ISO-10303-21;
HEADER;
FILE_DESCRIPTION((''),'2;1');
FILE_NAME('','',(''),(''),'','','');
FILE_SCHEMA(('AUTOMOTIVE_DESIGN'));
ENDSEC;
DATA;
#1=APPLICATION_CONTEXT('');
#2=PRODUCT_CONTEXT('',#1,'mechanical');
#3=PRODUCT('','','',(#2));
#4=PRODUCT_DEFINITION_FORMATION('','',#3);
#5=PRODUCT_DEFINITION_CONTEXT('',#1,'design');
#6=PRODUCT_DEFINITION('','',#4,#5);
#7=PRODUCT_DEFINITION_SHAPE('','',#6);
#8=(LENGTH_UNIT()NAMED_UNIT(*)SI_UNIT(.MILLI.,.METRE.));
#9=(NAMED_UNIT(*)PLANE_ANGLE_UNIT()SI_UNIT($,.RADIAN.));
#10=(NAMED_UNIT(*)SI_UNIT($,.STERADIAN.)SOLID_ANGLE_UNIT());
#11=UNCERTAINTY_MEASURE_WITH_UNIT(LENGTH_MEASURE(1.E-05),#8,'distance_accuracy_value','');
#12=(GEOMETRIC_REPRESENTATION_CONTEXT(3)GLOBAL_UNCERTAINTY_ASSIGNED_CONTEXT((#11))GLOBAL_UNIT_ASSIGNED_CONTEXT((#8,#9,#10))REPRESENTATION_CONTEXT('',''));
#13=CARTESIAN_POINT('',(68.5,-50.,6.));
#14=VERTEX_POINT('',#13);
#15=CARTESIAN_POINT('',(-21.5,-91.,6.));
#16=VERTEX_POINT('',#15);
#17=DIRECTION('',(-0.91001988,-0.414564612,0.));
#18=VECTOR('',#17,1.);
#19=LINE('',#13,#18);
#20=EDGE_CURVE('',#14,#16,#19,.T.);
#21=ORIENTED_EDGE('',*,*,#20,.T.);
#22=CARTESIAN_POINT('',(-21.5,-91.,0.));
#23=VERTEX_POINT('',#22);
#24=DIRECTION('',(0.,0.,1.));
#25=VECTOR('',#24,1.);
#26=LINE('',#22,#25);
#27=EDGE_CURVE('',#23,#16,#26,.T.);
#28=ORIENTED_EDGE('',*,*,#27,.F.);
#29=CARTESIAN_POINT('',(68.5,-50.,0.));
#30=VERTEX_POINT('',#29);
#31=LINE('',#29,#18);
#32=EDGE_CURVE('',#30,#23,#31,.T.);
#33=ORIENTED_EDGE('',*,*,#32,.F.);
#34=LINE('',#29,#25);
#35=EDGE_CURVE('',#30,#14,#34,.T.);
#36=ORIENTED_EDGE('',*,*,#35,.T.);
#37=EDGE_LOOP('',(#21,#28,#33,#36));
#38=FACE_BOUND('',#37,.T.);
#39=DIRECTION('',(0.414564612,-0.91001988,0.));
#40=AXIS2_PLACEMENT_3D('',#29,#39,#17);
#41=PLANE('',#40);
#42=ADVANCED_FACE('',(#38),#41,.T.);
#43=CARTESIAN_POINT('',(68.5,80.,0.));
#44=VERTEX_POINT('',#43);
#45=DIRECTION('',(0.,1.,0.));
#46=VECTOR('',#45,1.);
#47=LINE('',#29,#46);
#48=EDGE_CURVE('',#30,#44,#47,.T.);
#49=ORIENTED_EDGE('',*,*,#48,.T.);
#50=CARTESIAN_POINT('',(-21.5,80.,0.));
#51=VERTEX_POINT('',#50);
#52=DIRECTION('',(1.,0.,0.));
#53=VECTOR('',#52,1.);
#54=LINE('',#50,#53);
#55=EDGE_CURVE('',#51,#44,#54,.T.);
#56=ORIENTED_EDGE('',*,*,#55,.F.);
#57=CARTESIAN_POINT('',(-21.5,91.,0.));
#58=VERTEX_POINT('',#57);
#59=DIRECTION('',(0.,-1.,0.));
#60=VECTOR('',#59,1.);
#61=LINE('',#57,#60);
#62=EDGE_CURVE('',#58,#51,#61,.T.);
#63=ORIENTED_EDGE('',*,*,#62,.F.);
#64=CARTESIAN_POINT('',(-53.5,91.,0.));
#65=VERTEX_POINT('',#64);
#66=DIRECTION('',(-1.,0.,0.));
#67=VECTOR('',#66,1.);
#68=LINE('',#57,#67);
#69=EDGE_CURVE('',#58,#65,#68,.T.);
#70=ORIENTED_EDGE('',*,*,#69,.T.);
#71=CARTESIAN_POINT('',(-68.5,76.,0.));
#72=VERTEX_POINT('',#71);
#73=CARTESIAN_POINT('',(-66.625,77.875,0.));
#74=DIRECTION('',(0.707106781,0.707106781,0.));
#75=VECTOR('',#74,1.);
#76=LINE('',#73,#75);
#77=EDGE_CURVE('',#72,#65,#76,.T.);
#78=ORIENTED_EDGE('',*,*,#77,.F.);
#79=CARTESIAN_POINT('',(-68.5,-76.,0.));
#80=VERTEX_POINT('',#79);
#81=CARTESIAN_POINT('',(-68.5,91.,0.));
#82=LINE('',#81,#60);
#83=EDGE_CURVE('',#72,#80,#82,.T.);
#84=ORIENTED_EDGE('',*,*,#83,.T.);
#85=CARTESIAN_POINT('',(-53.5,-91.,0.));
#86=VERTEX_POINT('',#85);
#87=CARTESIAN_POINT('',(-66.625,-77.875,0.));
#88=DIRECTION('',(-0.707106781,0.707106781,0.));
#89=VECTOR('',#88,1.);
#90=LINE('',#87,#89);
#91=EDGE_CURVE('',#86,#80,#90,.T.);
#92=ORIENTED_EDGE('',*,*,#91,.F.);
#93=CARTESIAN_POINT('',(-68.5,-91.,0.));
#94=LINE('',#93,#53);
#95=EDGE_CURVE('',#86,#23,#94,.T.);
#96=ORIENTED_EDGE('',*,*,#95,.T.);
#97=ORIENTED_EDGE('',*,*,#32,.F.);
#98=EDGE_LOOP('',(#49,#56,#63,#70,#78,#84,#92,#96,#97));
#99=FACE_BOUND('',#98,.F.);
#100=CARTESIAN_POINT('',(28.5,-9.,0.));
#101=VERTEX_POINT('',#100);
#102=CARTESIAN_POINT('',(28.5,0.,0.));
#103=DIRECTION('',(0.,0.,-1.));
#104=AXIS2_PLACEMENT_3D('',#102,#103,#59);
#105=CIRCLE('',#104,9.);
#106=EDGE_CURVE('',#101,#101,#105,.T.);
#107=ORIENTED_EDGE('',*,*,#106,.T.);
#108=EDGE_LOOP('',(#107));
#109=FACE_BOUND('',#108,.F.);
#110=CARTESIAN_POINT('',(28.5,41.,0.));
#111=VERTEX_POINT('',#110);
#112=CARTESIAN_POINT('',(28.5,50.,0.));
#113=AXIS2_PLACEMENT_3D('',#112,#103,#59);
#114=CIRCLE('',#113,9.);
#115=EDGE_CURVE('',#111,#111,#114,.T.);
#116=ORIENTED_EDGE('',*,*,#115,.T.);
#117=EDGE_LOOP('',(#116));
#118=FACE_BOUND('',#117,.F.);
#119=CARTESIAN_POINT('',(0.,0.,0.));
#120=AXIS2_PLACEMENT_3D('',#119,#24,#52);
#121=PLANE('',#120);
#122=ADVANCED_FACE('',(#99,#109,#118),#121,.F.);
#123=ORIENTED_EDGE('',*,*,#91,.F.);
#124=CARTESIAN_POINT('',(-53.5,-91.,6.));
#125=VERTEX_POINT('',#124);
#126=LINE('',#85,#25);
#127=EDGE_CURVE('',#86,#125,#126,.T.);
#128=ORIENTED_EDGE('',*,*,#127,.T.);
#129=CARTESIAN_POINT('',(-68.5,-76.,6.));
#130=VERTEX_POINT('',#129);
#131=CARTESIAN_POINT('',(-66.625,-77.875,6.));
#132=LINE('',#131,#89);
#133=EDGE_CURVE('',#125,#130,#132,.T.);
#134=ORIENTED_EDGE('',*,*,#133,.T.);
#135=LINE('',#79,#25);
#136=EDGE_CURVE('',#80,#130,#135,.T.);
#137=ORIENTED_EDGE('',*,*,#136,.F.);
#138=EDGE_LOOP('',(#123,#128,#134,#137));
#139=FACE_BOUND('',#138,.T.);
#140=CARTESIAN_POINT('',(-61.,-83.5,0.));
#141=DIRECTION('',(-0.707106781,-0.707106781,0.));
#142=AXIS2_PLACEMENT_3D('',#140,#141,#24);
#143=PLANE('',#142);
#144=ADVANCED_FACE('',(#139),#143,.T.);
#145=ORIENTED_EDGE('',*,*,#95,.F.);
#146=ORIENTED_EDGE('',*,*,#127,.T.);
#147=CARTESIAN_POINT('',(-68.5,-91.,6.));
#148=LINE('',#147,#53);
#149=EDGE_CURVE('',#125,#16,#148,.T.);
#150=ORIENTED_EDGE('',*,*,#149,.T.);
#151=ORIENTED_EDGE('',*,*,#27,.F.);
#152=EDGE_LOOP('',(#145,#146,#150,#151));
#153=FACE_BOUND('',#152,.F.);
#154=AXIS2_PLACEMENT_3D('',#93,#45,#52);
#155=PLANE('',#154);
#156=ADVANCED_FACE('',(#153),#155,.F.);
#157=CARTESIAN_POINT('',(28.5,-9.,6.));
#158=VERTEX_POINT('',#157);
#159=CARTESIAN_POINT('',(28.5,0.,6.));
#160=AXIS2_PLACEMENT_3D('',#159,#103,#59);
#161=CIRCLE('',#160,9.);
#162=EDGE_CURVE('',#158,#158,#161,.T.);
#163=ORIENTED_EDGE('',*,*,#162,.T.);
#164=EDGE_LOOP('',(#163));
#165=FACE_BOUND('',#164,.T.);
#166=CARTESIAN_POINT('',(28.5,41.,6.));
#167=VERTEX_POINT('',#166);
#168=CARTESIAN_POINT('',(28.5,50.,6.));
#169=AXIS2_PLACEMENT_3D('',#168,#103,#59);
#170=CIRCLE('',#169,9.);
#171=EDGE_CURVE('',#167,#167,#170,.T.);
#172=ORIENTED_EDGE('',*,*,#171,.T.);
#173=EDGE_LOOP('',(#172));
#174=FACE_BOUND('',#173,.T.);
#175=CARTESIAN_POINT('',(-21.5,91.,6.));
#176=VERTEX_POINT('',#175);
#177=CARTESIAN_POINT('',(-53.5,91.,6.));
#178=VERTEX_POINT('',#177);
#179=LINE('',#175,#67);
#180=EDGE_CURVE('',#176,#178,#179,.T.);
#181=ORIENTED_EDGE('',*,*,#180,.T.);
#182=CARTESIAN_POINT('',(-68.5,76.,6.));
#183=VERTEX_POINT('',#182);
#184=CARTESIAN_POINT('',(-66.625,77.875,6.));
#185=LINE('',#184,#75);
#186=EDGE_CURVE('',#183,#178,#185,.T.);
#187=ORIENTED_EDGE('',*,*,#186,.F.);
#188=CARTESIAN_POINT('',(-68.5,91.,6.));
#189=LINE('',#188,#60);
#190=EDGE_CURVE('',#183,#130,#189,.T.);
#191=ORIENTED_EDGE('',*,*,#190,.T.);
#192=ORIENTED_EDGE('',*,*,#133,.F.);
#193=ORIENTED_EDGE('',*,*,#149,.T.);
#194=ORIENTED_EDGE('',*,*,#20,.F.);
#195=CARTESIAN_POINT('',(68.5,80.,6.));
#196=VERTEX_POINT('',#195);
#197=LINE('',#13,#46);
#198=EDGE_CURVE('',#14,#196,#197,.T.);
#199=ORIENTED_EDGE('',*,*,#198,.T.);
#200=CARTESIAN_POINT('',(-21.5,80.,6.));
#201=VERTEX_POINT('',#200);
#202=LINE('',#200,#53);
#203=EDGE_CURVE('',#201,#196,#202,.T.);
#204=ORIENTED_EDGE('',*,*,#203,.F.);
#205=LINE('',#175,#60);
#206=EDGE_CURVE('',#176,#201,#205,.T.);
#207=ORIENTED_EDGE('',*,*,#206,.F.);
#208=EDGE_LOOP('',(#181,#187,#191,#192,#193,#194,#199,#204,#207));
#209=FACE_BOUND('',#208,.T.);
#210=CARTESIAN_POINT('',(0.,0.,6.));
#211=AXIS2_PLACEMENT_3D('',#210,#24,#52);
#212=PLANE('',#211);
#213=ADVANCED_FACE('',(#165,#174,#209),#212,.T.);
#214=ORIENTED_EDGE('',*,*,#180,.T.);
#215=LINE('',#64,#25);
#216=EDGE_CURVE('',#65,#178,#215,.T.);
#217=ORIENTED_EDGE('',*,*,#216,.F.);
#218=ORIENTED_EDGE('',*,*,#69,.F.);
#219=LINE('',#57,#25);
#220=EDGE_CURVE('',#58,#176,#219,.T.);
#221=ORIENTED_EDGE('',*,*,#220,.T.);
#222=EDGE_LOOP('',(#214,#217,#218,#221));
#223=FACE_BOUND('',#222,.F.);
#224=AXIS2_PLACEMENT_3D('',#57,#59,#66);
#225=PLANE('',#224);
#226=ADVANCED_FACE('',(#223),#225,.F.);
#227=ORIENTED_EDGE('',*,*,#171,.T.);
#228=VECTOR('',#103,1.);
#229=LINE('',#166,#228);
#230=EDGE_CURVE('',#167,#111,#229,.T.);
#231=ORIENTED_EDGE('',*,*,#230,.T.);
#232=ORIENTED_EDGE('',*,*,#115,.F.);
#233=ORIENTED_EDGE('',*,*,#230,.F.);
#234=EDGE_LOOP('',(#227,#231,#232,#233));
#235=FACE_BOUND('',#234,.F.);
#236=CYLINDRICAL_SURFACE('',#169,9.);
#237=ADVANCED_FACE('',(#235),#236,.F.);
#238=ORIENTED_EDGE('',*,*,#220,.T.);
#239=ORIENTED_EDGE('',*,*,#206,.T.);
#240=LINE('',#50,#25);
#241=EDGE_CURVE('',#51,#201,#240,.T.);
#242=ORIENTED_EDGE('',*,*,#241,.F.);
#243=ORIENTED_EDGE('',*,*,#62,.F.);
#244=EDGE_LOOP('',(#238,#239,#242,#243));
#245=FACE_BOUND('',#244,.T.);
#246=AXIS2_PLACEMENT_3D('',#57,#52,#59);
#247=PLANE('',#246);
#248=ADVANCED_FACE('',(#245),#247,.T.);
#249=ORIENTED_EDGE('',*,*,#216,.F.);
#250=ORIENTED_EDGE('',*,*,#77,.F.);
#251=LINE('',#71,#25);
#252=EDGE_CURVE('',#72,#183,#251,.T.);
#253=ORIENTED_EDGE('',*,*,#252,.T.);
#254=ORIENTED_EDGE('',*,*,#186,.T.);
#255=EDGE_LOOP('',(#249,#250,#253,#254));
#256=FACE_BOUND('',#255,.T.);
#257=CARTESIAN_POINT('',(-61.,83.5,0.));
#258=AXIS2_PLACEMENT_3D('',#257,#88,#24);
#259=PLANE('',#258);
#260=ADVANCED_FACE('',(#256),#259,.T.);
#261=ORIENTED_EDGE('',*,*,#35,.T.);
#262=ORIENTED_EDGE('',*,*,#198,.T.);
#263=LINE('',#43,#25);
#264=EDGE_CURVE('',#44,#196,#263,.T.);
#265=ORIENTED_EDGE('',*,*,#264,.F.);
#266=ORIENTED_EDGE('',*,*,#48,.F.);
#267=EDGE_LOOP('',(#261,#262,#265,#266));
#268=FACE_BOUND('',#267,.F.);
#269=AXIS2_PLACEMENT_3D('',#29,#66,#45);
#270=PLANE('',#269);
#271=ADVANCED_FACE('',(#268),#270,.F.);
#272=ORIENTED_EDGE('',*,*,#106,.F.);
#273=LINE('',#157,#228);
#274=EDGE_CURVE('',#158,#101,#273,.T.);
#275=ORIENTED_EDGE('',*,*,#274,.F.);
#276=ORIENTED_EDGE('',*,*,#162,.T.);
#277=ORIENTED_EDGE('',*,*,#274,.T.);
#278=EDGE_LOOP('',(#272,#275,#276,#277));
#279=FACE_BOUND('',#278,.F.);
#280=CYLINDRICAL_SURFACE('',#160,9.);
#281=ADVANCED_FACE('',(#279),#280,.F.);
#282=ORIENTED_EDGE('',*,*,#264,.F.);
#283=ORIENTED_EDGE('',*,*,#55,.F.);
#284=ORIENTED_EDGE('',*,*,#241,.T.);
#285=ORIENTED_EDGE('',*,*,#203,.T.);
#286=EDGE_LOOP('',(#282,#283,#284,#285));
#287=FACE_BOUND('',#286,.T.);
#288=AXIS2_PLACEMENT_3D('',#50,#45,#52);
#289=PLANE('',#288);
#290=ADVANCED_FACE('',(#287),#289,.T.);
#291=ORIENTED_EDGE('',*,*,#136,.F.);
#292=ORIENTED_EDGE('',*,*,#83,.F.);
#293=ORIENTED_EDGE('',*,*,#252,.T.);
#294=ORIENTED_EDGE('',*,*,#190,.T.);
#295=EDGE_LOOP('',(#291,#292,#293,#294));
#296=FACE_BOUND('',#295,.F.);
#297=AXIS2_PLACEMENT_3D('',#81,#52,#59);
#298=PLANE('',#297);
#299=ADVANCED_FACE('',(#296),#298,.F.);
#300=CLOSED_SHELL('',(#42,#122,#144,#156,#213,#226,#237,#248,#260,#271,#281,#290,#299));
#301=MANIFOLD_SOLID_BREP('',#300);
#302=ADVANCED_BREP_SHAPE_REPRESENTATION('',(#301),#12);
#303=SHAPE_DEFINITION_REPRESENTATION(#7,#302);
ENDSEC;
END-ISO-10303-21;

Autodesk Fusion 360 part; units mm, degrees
sketch "スケッチ1" plane through (0, 0, 0) normal (0, 0, 1) x (1, 0, 0) in component "GPL H200 to H150G1"
  line L0 (-21.5, 91) -> (-68.5, 91)
  line L1 (-68.5, 91) -> (-68.5, -91)
  line L2 (-68.5, -91) -> (-21.5, -91)
  line L3 (68.5, -50) -> (68.5, 80)
  line L4 (60.2198, 80) -> (-68.5, -91) construction
  line L5 (-68.5, 91) -> (45.5182, -60.4695) construction
  line L6 (-21.5, 91) -> (-21.5, 80)
  line L7 (-21.5, 80) -> (68.5, 80)
  line L8 (-68.5, -91) -> (-21.5, -91) construction
  line L9 (68.5, -50) -> (-21.5, -91)
  dimension "d14_1" = 18
  dimension "d15_1" = 180
extrude "押し出し1" add sketch "スケッチ1" along normal blind 6 makes body 1 in component "GPL H200 to H150G1"
chamfer "面取り1" distance 15 angle 45 2 edges at (-68.5, -91, 3) (-68.5, 91, 3) on bodies 1 in component "GPL H200 to H150G1"
sketch "スケッチ2" plane through (0, 0, 6) normal (0, 0, 1) x (-1, 0, 0) in component "GPL H200 to H150G1"
  line L0 (53.5, -91) -> (68.5, -76)
  line L1 (68.5, -76) -> (68.5, 76)
  line L2 (68.5, 76) -> (53.5, 91)
  line L3 (53.5, 91) -> (21.5, 91)
  line L4 (21.5, 91) -> (-68.5, 50)
  line L5 (-68.5, 50) -> (-68.5, -80)
  line L6 (-68.5, -80) -> (21.5, -80)
  line L7 (21.5, -80) -> (21.5, -91)
  line L8 (21.5, -91) -> (53.5, -91)
  line L9 (-68.5, -80) -> (-28.5, -80) construction
  line L10 (-28.5, -80) -> (-28.5, -50) construction
  line L11 (-28.5, -50) -> (-68.5, -50) construction
  line L12 (-68.5, -50) -> (-68.5, -80) construction
  line L13 (-68.5, -50) -> (-28.5, -50) construction
  line L14 (-28.5, -50) -> (-28.5, 0) construction
  line L15 (-28.5, 0) -> (-68.5, 0) construction
  line L16 (-68.5, 0) -> (-68.5, -50) construction
  point P0 (-28.5, -50)
  point P1 (-28.5, 0)
  dimension "d10" = 40
  dimension "d11" = 30
  dimension "d12" = 40
  dimension "d13" = 50
hole "穴1" at (28.5, 50, 6) at (28.5, 0, 6) direction (0, 0, -1) diameter 18 end through all bodies 1 1 in component "GPL H200 to H150G1"
sketch "スケッチ1 (2)" plane through (0, 0, 0) normal (0, 0, 1) x (1, 0, 0) in component "Component'"
  line L0 (-21.5, 91) -> (-68.5, 91)
  line L1 (-68.5, 91) -> (-68.5, -91)
  line L2 (-68.5, -91) -> (-21.5, -91)
  line L3 (68.5, -50) -> (68.5, 80)
  line L4 (60.2198, 80) -> (-68.5, -91) construction
  line L5 (-68.5, 91) -> (45.5182, -60.4695) construction
  line L6 (-21.5, 91) -> (-21.5, 80)
  line L7 (-21.5, 80) -> (68.5, 80)
  line L8 (-68.5, -91) -> (-21.5, -91) construction
  line L9 (68.5, -50) -> (-21.5, -91)
  dimension "d2_1" = 182
  dimension "d5_1" = 47
extrude "押し出し1'" add sketch "スケッチ1 (2)" along normal blind 6 separate body makes body 2 in component "Component'"
chamfer "面取り1'" distance 15 angle 45 2 edges at (-68.5, -91, 3) (-68.5, 91, 3) on bodies 2 in component "Component'"
sketch "スケッチ2 (2)" plane through (0, 0, 6) normal (0, 0, 1) x (-1, 0, 0) in component "Component'"
  line L0 (53.5, -91) -> (68.5, -76)
  line L1 (68.5, -76) -> (68.5, 76)
  line L2 (68.5, 76) -> (53.5, 91)
  line L3 (53.5, 91) -> (21.5, 91)
  line L4 (21.5, 91) -> (-68.5, 50)
  line L5 (-68.5, 50) -> (-68.5, -80)
  line L6 (-68.5, -80) -> (21.5, -80)
  line L7 (21.5, -80) -> (21.5, -91)
  line L8 (21.5, -91) -> (53.5, -91)
  line L9 (-68.5, -80) -> (-28.5, -80) construction
  line L10 (-28.5, -80) -> (-28.5, -50) construction
  line L11 (-28.5, -50) -> (-68.5, -50) construction
  line L12 (-68.5, -50) -> (-68.5, -80) construction
  line L13 (-68.5, -50) -> (-28.5, -50) construction
  line L14 (-28.5, -50) -> (-28.5, 0) construction
  line L15 (-28.5, 0) -> (-68.5, 0) construction
  line L16 (-68.5, 0) -> (-68.5, -50) construction
  point P0 (-28.5, -50)
  point P1 (-28.5, 0)
  dimension "d10_1" = 40
  dimension "d11_1" = 30
  dimension "d12_1" = 40
  dimension "d13_1" = 50
hole "穴1'" at (28.5, 50, 6) at (28.5, 0, 6) direction (0, 0, -1) diameter 18 end through all bodies 2 2 in component "Component'"
copy_body "CutPasteBodies1" bodies 1 removing the originals makes body 3
equation "d5 = 15 mm + 32 mm"
equation "d5_1 = 15 mm + 32 mm"
